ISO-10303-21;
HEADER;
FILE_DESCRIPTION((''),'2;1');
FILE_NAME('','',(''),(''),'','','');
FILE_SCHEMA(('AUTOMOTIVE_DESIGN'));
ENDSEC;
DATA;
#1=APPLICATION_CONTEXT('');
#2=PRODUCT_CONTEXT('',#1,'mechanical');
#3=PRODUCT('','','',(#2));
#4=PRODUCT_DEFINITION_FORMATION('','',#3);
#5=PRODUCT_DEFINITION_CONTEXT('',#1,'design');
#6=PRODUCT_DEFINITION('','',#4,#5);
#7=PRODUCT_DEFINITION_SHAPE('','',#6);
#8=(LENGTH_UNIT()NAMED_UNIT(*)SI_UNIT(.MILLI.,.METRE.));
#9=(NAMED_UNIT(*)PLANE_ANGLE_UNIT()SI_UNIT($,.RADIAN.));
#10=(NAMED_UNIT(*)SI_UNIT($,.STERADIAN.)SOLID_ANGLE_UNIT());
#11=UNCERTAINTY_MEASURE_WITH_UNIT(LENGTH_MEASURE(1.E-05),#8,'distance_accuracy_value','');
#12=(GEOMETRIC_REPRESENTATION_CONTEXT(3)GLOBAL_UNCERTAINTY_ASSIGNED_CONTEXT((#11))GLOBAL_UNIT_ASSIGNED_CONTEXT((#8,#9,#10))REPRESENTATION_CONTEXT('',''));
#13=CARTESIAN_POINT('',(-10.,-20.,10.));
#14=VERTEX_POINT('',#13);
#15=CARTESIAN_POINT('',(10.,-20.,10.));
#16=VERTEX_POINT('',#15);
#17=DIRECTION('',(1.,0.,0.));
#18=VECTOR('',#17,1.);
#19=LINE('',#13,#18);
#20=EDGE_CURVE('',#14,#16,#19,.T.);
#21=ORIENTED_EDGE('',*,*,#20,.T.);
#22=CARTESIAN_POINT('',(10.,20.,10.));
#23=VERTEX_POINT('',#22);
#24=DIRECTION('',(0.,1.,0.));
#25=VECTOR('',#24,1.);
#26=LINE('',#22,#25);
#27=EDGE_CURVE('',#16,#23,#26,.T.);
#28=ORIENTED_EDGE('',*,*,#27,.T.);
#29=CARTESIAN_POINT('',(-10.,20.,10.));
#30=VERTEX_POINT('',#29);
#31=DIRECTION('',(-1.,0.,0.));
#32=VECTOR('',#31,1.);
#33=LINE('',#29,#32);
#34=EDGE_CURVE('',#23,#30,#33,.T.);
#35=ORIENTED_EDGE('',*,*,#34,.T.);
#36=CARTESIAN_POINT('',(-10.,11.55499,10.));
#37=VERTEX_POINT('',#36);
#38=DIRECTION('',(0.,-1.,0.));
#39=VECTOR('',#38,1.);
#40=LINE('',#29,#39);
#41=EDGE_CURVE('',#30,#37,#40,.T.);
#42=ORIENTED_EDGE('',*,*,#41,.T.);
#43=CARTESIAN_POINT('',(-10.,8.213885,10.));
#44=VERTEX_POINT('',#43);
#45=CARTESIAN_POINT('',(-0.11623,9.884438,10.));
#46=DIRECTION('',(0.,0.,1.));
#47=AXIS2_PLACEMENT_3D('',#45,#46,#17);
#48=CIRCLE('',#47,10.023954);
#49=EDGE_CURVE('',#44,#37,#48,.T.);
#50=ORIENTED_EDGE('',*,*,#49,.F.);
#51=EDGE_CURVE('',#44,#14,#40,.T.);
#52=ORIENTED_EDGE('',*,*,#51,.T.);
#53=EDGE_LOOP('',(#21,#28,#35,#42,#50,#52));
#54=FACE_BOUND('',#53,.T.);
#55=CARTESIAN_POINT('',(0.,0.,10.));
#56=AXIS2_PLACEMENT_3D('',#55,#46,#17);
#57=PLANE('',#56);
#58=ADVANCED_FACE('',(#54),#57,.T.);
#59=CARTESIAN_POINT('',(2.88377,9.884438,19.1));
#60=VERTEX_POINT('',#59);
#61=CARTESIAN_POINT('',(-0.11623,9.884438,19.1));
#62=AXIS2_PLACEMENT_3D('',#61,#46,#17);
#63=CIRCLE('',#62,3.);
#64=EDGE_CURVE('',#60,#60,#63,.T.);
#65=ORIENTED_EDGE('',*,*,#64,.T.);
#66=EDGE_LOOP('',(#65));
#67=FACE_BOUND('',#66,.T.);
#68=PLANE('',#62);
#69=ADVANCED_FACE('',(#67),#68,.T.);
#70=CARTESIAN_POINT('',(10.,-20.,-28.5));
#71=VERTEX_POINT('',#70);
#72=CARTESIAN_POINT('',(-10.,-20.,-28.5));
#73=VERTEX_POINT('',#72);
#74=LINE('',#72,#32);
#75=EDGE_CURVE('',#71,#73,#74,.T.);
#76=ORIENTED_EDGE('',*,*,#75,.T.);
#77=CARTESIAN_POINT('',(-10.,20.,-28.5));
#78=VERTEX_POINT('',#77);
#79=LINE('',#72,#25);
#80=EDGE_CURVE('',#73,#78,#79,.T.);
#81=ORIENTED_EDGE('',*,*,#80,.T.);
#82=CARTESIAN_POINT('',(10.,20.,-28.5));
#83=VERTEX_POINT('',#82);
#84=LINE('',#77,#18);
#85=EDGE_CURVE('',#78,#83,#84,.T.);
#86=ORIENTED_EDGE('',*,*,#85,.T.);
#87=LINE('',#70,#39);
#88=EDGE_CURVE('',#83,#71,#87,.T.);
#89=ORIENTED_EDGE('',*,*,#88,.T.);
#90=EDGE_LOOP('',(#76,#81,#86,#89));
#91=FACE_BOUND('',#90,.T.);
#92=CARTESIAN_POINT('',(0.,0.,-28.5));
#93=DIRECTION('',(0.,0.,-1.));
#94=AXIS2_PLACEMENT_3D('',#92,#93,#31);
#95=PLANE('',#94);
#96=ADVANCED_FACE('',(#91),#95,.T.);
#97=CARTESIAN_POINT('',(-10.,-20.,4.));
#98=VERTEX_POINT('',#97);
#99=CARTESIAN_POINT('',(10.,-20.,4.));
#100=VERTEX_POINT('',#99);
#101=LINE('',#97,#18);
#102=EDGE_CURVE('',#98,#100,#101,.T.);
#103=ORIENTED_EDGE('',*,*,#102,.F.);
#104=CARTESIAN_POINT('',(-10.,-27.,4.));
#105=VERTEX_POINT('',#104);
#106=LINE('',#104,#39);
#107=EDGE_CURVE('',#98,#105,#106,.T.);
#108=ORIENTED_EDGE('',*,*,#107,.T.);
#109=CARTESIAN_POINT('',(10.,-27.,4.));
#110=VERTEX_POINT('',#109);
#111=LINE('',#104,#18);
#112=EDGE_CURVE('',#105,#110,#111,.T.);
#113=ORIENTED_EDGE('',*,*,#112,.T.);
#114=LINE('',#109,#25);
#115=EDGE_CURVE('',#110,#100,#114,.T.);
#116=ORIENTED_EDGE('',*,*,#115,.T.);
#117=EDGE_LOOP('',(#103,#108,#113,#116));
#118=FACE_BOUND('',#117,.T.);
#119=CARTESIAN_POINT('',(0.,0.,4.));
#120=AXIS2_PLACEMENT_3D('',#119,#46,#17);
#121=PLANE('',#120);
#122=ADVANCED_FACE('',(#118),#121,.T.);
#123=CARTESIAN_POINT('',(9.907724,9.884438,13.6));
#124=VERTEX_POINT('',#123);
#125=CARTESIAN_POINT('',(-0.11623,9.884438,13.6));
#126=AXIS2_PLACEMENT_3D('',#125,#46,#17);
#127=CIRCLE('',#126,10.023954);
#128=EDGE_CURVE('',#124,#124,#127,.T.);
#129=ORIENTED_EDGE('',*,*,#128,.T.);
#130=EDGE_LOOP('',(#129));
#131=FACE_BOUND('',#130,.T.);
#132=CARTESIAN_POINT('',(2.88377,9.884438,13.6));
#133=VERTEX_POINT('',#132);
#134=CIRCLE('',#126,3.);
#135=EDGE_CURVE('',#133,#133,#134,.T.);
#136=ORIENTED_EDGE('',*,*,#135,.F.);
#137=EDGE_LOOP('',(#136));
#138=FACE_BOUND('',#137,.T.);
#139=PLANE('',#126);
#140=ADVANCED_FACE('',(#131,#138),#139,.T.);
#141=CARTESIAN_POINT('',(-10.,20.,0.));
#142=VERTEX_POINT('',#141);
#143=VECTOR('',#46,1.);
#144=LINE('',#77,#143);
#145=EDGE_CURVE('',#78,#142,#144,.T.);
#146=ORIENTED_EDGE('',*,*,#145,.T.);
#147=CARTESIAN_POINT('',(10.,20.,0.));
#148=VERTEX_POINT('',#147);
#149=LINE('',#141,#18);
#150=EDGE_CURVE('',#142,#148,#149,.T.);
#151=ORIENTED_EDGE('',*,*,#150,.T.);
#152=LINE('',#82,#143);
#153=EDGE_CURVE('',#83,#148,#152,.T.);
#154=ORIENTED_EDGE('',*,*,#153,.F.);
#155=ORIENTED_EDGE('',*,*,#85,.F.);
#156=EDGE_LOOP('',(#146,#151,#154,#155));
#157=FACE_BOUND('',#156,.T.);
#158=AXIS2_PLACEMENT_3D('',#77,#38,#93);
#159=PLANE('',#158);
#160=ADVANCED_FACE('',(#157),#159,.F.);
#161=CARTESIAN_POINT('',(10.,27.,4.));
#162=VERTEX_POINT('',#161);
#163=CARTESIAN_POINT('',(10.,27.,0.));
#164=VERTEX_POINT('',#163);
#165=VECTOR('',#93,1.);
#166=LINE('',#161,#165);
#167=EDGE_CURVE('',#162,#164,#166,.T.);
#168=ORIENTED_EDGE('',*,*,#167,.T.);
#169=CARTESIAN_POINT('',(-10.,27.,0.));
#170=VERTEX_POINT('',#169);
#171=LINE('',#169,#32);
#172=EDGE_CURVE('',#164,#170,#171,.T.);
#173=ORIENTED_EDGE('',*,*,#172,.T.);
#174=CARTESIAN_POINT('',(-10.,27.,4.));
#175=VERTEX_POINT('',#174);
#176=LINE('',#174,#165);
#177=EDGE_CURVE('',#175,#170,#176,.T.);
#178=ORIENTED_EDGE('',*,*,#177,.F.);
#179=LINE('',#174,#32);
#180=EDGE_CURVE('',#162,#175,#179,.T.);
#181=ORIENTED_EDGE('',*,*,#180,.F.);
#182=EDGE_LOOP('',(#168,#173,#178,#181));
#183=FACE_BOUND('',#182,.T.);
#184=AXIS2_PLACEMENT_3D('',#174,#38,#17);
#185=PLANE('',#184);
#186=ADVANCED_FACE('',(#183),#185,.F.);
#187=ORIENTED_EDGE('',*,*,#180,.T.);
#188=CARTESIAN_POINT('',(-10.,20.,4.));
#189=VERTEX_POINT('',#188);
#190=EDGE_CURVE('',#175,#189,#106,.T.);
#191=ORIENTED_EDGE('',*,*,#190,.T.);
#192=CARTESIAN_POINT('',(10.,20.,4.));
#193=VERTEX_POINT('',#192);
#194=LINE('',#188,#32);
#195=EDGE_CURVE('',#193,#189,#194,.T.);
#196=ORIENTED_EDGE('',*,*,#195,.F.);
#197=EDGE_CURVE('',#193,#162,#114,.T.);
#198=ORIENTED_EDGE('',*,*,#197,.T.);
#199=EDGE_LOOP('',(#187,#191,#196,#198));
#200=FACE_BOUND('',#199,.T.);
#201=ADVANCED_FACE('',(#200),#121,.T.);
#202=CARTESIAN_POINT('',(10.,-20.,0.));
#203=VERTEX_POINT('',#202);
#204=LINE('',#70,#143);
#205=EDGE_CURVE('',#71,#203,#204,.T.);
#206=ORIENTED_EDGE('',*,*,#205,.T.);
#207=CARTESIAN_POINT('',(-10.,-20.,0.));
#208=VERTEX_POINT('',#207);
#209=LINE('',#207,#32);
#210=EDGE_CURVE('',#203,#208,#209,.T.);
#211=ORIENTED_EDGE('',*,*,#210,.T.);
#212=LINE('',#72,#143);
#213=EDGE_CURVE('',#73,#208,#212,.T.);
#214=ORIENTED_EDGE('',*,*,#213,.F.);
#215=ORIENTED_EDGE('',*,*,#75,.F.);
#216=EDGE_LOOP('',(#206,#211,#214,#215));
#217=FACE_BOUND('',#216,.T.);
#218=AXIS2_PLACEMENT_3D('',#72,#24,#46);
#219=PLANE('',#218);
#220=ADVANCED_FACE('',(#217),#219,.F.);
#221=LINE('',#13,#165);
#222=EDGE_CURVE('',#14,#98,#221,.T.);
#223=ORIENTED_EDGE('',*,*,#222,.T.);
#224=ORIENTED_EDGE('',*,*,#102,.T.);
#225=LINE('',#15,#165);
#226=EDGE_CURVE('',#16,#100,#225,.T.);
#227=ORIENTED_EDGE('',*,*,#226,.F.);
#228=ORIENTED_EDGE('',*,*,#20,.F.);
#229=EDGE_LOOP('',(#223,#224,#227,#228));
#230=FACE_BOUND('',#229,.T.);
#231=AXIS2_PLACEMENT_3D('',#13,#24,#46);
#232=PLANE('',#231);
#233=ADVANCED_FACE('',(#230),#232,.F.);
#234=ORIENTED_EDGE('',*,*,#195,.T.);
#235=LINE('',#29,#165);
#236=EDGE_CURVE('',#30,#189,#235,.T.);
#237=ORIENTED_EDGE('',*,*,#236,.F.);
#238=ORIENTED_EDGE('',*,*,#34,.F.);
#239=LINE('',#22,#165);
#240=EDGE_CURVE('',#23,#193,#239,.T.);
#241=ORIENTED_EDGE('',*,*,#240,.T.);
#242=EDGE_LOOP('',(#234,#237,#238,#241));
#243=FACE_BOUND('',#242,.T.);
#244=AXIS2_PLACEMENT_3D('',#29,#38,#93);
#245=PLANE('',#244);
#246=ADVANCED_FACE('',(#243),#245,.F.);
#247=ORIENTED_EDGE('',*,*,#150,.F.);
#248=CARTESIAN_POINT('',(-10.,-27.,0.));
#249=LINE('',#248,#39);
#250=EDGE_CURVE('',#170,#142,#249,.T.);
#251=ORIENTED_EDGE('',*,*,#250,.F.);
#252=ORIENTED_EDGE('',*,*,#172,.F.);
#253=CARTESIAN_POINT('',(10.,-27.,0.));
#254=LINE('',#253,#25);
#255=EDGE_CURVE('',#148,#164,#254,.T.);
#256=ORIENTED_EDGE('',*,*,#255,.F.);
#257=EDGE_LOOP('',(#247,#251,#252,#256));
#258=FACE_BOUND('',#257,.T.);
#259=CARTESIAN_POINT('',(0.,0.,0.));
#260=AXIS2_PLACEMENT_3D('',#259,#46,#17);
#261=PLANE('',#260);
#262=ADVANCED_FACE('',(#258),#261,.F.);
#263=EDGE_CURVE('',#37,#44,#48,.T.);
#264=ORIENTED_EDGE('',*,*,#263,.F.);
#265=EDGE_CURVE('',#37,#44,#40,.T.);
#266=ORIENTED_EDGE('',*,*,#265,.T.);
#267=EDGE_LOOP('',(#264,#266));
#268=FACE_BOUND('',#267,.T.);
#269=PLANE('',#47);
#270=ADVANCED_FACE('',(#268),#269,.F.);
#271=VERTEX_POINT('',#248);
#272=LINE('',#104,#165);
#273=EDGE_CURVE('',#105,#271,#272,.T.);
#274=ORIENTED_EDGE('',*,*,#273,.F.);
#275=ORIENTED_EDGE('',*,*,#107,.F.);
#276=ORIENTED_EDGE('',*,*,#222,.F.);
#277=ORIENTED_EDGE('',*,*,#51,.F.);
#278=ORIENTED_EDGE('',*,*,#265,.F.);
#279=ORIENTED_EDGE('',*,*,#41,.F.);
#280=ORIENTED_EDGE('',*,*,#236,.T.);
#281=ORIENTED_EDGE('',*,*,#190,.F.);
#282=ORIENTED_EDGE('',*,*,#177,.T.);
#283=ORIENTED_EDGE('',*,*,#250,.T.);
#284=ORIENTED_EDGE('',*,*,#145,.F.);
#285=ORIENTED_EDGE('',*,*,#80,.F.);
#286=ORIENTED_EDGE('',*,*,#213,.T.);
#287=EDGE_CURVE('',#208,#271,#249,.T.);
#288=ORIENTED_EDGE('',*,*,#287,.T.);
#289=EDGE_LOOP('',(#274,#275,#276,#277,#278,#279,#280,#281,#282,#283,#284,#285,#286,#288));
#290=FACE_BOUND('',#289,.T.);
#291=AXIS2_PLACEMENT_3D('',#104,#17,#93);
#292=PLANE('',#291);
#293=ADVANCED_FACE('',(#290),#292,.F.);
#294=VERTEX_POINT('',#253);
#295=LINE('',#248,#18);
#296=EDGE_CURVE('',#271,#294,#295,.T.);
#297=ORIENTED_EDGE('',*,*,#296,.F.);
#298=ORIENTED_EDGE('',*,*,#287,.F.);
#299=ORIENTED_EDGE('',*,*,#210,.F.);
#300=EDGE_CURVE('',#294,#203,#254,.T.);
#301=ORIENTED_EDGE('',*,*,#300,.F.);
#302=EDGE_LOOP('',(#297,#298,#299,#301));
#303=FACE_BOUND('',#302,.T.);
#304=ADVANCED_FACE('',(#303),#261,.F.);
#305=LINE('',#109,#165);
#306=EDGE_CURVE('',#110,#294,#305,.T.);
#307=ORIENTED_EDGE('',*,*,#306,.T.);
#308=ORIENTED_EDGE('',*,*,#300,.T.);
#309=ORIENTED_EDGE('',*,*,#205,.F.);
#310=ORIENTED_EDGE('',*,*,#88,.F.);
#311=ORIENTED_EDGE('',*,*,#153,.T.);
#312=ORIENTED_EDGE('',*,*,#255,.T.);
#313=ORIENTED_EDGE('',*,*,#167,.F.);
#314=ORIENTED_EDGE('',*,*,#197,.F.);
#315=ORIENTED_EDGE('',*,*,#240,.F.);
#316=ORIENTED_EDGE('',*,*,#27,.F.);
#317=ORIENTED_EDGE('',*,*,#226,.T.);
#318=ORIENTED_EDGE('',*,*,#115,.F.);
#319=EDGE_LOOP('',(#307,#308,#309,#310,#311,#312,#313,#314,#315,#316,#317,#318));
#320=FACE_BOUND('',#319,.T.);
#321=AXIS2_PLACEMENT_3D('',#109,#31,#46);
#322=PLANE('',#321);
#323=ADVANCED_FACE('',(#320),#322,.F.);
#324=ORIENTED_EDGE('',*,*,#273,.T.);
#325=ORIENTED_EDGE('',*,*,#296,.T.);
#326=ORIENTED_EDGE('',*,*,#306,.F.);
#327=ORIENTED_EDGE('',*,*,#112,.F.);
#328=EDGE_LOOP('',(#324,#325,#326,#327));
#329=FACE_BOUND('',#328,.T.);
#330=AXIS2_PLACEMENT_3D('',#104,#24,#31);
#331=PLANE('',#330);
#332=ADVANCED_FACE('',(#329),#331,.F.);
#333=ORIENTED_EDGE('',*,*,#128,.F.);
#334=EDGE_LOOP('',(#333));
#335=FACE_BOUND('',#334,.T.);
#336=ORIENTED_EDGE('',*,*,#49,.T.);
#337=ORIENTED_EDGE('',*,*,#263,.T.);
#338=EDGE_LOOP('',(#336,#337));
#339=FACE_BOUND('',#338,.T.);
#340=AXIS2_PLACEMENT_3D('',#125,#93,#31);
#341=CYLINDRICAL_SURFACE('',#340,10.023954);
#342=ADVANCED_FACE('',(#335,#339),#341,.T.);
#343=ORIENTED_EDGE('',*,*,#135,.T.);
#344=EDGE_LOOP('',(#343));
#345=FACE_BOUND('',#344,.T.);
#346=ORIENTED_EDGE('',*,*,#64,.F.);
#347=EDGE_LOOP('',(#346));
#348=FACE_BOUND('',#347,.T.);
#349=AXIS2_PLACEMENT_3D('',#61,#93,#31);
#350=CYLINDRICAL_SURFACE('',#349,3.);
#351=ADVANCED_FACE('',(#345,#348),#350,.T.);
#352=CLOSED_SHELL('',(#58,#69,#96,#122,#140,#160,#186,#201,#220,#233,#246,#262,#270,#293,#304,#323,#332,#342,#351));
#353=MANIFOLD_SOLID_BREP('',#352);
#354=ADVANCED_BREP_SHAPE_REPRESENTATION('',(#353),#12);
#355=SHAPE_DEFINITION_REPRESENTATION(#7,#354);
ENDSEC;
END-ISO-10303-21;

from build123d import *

# Parameters (mm, degrees)
CROQUIS1_W              = 54
CROQUIS1_H              = 20
SALIENTE_EXTRUIR1_DEPTH = 4
CROQUIS2_W              = 20
CROQUIS2_H              = 40
SALIENTE_EXTRUIR2_DEPTH = 6
CROQUIS3_R              = 10.02395417
SALIENTE_EXTRUIR3_DEPTH = 3.6
CROQUIS4_R              = 3
SALIENTE_EXTRUIR4_DEPTH = 5.5
CROQUIS5_W              = 20
CROQUIS5_H              = 40
SALIENTE_EXTRUIR5_DEPTH = 28.5


with BuildPart() as part:
    # Croquis1 → Saliente-Extruir1 (new body)
    with BuildSketch(Plane(origin=(0, 0, 0), x_dir=(0, 1, 0), z_dir=(0, 0, 1))):
        Rectangle(CROQUIS1_W, CROQUIS1_H)
    extrude(amount=SALIENTE_EXTRUIR1_DEPTH)

    # Croquis2 → Saliente-Extruir2 (add)
    with BuildSketch(Plane.XY.offset(4)):
        Rectangle(CROQUIS2_W, CROQUIS2_H)
    extrude(amount=SALIENTE_EXTRUIR2_DEPTH)

    # Croquis3 → Saliente-Extruir3 (add)
    with BuildSketch(Plane.XY.offset(10)):
        with Locations(Location((-0.116229886, 9.884437844, 0), (0, 0, 189.593450482))):
            Circle(CROQUIS3_R)
    extrude(amount=SALIENTE_EXTRUIR3_DEPTH)

    # Croquis4 → Saliente-Extruir4 (add)
    with BuildSketch(Plane.XY.offset(13.6)):
        with Locations((-0.116229886, 9.884437844)):
            Circle(CROQUIS4_R)
    extrude(amount=SALIENTE_EXTRUIR4_DEPTH)

    # Croquis5 → Saliente-Extruir5 (add)
    with BuildSketch(Plane(origin=(0, 0, 0), x_dir=(1, 0, 0), z_dir=(0, 0, -1))):
        Rectangle(CROQUIS5_W, CROQUIS5_H)
    extrude(amount=SALIENTE_EXTRUIR5_DEPTH)


solid = part.part
